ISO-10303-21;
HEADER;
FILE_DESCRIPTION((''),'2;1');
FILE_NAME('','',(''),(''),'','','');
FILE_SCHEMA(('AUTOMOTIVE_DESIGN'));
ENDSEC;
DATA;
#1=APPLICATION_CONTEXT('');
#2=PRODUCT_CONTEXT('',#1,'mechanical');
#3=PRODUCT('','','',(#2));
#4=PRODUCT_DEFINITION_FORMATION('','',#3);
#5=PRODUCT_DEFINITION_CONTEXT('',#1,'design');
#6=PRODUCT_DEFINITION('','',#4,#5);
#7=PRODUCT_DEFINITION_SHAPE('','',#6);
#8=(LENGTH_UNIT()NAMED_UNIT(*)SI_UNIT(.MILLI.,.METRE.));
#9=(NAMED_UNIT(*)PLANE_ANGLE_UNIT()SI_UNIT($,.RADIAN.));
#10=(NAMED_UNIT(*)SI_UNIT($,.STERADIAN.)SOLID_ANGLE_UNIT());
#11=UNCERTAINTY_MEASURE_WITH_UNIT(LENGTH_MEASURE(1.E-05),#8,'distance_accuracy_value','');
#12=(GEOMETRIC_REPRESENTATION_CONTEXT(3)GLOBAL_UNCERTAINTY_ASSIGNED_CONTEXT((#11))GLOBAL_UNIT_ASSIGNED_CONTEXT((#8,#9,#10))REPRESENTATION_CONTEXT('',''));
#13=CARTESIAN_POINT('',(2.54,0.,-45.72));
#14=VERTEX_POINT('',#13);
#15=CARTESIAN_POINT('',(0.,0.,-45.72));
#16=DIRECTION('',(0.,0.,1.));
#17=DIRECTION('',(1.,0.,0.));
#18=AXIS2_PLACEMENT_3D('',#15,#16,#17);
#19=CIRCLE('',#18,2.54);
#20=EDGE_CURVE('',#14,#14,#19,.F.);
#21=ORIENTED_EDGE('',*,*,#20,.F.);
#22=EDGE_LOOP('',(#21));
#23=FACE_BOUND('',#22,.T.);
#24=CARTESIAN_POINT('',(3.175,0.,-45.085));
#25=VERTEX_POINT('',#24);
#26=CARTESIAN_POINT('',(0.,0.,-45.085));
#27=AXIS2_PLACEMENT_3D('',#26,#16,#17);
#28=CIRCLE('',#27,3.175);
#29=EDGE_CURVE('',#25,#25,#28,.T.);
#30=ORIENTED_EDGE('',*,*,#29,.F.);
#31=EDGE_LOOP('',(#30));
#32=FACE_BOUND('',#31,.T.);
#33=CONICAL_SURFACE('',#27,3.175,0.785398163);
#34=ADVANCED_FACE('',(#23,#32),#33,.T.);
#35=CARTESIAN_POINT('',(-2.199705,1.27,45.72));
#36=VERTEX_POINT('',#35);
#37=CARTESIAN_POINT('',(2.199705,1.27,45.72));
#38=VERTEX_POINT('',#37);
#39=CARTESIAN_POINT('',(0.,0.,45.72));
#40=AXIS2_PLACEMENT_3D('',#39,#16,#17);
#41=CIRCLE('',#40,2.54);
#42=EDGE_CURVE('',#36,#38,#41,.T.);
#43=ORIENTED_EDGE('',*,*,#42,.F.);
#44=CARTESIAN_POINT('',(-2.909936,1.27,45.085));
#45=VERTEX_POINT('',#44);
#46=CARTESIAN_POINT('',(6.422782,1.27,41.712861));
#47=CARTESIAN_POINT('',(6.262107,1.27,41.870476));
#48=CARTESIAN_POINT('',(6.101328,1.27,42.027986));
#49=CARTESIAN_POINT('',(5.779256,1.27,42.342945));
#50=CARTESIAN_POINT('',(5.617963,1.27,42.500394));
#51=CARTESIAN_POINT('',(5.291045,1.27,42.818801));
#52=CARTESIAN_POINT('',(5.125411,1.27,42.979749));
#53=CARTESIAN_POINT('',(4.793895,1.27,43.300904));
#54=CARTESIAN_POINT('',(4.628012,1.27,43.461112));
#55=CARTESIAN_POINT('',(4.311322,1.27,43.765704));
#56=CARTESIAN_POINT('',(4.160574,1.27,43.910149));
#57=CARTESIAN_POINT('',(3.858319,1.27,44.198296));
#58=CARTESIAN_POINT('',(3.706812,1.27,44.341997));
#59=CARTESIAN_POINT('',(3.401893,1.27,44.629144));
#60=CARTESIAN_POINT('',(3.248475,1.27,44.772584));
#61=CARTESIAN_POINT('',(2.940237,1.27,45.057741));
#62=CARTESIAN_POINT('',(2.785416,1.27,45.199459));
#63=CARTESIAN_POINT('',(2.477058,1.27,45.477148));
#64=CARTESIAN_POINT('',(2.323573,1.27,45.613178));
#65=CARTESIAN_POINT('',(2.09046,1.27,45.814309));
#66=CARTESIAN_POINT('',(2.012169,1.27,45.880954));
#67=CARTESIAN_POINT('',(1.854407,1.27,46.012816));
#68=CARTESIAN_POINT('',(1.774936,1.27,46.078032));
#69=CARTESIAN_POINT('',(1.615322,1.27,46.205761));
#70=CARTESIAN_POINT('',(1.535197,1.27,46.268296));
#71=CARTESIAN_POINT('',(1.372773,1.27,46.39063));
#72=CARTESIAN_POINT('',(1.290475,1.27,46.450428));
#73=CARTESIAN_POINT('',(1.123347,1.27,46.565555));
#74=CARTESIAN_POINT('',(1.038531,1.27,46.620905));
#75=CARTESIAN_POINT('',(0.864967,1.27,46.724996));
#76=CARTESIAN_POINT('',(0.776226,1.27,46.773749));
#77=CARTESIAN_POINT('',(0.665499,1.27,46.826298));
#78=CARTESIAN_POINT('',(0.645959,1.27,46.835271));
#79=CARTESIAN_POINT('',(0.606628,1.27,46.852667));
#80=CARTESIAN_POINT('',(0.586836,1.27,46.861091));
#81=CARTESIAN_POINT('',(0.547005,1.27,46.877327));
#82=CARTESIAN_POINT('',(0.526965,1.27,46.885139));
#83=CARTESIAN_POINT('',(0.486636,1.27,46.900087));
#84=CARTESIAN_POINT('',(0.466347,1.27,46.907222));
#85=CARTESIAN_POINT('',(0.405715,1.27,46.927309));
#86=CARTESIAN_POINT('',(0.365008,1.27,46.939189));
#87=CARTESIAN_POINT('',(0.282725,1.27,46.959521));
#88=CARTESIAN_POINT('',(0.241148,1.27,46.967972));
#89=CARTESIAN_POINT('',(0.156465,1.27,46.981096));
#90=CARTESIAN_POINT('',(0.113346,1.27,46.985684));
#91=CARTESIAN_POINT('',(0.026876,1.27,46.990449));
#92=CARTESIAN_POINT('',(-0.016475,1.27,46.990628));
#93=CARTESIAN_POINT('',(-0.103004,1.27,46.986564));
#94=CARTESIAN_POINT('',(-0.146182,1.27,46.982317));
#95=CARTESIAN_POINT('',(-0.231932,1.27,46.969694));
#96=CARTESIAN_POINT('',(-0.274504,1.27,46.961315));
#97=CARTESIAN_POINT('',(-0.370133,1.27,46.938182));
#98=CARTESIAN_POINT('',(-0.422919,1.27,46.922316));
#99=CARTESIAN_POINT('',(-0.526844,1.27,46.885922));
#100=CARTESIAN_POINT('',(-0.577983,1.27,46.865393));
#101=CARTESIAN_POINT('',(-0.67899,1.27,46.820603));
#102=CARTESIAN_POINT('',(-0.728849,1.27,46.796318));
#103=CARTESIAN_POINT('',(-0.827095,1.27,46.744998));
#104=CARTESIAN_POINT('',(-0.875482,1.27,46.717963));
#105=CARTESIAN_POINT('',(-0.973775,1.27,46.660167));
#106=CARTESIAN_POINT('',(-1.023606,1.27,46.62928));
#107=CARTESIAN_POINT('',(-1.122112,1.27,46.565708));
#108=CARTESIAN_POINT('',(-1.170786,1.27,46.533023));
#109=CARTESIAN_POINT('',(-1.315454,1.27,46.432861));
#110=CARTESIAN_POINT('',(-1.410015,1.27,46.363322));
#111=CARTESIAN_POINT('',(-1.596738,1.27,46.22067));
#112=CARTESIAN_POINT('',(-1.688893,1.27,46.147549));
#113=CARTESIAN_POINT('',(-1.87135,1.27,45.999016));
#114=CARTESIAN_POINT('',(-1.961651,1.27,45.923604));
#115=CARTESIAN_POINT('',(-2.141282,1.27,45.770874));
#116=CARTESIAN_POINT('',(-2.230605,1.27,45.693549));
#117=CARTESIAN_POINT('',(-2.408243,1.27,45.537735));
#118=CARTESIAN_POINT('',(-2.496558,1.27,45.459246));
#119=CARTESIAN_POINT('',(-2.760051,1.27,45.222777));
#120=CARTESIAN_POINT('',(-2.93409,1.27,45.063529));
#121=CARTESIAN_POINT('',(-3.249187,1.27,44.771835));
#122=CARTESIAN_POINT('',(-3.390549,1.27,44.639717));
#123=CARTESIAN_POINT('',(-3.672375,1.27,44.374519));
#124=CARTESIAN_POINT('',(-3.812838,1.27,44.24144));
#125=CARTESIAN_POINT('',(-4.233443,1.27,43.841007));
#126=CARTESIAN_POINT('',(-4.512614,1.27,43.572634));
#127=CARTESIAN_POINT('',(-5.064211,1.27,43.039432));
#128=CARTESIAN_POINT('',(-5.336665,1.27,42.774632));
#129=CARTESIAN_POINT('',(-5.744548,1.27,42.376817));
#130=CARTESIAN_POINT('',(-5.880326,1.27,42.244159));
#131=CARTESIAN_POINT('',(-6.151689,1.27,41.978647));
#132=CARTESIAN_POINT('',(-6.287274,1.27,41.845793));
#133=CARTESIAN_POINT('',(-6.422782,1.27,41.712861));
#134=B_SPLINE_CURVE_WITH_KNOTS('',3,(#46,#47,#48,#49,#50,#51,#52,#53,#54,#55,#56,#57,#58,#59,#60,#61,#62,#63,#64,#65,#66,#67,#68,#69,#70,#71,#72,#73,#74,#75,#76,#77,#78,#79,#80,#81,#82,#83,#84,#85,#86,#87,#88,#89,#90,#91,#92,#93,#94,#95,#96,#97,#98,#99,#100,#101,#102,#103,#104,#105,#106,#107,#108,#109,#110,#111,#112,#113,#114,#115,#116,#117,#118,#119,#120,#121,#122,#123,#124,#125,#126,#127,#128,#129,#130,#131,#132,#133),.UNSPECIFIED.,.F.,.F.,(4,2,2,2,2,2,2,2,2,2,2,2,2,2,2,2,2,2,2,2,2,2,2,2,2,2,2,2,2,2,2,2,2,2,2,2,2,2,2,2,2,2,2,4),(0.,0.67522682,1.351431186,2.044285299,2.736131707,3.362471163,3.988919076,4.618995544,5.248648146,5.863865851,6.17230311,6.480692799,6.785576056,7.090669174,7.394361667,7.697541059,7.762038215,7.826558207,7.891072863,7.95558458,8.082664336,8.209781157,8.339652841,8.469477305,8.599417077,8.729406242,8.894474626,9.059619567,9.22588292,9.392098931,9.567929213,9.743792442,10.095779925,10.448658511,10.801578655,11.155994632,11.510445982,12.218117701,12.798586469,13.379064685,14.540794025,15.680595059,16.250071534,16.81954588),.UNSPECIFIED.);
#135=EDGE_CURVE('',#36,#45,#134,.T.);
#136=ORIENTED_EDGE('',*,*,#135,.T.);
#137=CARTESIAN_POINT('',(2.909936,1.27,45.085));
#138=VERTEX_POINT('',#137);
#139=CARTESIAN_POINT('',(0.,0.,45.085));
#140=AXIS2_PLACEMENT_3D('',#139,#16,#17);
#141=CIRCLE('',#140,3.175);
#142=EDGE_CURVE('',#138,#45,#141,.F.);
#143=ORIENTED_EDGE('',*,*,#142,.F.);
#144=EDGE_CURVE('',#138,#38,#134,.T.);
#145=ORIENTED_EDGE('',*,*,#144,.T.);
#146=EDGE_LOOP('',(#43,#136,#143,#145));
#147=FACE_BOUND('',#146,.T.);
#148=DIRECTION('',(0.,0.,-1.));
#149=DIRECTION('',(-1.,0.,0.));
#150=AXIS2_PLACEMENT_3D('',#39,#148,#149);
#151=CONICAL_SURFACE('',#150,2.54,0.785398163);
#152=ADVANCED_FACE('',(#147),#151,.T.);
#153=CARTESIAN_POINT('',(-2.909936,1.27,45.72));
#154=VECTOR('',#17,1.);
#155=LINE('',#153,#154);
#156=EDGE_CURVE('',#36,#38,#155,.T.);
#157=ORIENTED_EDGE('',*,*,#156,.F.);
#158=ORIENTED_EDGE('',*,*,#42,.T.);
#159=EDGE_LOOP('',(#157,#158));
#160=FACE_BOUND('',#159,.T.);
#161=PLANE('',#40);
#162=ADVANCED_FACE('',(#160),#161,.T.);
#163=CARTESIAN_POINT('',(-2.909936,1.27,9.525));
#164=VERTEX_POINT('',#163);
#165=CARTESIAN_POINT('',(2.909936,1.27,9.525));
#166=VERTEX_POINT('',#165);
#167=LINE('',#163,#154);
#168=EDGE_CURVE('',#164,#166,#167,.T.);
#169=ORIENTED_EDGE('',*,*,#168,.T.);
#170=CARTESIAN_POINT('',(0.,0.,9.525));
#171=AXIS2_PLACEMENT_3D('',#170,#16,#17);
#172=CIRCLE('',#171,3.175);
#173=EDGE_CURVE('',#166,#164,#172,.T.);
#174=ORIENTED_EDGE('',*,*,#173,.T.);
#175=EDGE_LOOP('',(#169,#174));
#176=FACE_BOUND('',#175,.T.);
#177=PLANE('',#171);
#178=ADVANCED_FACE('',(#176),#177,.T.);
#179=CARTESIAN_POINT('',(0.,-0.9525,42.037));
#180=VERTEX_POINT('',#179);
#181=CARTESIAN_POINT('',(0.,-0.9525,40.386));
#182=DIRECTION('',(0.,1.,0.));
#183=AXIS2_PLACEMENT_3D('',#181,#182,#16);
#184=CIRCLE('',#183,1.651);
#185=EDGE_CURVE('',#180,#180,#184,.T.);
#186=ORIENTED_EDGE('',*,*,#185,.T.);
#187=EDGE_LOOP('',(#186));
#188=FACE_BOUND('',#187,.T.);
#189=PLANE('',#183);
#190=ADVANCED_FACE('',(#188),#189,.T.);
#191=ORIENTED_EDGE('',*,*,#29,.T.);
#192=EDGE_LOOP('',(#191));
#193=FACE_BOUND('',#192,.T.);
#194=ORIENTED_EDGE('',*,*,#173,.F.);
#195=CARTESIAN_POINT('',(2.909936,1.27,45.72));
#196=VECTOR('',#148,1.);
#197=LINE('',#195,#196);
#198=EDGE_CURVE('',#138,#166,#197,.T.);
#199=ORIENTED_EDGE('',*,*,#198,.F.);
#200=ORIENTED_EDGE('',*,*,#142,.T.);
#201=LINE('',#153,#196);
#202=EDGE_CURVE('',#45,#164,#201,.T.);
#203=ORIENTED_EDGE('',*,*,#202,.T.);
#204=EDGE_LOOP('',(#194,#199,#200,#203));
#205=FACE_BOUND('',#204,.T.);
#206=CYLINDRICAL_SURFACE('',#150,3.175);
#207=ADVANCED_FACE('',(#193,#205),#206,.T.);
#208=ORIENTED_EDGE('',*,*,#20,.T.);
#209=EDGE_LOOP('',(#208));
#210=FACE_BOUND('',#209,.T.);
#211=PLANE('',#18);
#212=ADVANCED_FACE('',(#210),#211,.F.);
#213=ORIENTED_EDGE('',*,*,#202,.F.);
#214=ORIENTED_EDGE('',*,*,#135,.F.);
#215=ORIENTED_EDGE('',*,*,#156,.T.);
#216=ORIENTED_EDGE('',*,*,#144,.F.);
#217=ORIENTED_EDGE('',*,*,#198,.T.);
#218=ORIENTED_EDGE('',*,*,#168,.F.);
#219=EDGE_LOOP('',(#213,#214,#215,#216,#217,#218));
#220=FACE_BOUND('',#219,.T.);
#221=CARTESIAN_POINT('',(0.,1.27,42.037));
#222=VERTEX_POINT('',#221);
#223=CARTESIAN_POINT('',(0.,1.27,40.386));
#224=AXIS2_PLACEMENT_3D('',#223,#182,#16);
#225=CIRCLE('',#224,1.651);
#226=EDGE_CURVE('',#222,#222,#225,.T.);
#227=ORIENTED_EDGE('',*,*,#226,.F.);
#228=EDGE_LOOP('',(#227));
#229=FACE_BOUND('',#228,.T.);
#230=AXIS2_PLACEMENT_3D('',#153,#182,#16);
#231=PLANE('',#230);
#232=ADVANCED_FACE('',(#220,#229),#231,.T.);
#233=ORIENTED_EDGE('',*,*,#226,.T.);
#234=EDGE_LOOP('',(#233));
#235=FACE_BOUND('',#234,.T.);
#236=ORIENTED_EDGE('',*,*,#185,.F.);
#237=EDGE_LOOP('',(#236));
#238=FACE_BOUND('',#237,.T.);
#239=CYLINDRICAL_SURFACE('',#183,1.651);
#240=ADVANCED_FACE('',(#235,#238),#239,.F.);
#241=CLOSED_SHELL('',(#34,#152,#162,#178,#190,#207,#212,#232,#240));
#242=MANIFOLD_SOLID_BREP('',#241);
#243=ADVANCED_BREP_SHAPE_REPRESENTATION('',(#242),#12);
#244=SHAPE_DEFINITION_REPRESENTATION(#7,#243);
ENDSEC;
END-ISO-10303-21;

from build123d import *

# Parameters (mm, degrees)
SKETCH1_R          = 3.175
EXTRUDE1_DEPTH     = 45.72
CHAMFER1_SIZE      = 0.635
EXTRUDE7_DEPTH     = 37.195
SKETCH14_R         = 1.651
CUT_EXTRUDE1_DEPTH = 2.2225


with BuildPart() as part:
    # Sketch1 → Extrude1 (new body, symmetric)
    with BuildSketch(Plane.XY):
        Circle(SKETCH1_R)
    extrude(amount=EXTRUDE1_DEPTH, both=True)

    # Chamfer1
    chamfer1_edges = [part.edges().sort_by_distance(p)[0] for p in [
        (-3.175, 0, -45.72),
        (-3.175, 0, 45.72),
    ]]
    chamfer(chamfer1_edges, length=CHAMFER1_SIZE)

    # Sketch13 → Extrude7 (cut, through all)
    with BuildSketch(Plane.XY.offset(9.525)):
        with BuildLine():
            Line((-2.909935566, 1.27), (2.909935566, 1.27))
            ThreePointArc((2.909935566, 1.27), (0, 3.175), (-2.909935566, 1.27))
        make_face()
    extrude(amount=EXTRUDE7_DEPTH, mode=Mode.SUBTRACT)

    # Sketch14 → Cut-Extrude1 (cut)
    with BuildSketch(Plane(origin=(0, 1.27, 0), x_dir=(1, 0, 0), z_dir=(0, 1, 0))):
        with Locations((0, -40.386)):
            Circle(SKETCH14_R)
    extrude(amount=-CUT_EXTRUDE1_DEPTH, mode=Mode.SUBTRACT)


solid = part.part
